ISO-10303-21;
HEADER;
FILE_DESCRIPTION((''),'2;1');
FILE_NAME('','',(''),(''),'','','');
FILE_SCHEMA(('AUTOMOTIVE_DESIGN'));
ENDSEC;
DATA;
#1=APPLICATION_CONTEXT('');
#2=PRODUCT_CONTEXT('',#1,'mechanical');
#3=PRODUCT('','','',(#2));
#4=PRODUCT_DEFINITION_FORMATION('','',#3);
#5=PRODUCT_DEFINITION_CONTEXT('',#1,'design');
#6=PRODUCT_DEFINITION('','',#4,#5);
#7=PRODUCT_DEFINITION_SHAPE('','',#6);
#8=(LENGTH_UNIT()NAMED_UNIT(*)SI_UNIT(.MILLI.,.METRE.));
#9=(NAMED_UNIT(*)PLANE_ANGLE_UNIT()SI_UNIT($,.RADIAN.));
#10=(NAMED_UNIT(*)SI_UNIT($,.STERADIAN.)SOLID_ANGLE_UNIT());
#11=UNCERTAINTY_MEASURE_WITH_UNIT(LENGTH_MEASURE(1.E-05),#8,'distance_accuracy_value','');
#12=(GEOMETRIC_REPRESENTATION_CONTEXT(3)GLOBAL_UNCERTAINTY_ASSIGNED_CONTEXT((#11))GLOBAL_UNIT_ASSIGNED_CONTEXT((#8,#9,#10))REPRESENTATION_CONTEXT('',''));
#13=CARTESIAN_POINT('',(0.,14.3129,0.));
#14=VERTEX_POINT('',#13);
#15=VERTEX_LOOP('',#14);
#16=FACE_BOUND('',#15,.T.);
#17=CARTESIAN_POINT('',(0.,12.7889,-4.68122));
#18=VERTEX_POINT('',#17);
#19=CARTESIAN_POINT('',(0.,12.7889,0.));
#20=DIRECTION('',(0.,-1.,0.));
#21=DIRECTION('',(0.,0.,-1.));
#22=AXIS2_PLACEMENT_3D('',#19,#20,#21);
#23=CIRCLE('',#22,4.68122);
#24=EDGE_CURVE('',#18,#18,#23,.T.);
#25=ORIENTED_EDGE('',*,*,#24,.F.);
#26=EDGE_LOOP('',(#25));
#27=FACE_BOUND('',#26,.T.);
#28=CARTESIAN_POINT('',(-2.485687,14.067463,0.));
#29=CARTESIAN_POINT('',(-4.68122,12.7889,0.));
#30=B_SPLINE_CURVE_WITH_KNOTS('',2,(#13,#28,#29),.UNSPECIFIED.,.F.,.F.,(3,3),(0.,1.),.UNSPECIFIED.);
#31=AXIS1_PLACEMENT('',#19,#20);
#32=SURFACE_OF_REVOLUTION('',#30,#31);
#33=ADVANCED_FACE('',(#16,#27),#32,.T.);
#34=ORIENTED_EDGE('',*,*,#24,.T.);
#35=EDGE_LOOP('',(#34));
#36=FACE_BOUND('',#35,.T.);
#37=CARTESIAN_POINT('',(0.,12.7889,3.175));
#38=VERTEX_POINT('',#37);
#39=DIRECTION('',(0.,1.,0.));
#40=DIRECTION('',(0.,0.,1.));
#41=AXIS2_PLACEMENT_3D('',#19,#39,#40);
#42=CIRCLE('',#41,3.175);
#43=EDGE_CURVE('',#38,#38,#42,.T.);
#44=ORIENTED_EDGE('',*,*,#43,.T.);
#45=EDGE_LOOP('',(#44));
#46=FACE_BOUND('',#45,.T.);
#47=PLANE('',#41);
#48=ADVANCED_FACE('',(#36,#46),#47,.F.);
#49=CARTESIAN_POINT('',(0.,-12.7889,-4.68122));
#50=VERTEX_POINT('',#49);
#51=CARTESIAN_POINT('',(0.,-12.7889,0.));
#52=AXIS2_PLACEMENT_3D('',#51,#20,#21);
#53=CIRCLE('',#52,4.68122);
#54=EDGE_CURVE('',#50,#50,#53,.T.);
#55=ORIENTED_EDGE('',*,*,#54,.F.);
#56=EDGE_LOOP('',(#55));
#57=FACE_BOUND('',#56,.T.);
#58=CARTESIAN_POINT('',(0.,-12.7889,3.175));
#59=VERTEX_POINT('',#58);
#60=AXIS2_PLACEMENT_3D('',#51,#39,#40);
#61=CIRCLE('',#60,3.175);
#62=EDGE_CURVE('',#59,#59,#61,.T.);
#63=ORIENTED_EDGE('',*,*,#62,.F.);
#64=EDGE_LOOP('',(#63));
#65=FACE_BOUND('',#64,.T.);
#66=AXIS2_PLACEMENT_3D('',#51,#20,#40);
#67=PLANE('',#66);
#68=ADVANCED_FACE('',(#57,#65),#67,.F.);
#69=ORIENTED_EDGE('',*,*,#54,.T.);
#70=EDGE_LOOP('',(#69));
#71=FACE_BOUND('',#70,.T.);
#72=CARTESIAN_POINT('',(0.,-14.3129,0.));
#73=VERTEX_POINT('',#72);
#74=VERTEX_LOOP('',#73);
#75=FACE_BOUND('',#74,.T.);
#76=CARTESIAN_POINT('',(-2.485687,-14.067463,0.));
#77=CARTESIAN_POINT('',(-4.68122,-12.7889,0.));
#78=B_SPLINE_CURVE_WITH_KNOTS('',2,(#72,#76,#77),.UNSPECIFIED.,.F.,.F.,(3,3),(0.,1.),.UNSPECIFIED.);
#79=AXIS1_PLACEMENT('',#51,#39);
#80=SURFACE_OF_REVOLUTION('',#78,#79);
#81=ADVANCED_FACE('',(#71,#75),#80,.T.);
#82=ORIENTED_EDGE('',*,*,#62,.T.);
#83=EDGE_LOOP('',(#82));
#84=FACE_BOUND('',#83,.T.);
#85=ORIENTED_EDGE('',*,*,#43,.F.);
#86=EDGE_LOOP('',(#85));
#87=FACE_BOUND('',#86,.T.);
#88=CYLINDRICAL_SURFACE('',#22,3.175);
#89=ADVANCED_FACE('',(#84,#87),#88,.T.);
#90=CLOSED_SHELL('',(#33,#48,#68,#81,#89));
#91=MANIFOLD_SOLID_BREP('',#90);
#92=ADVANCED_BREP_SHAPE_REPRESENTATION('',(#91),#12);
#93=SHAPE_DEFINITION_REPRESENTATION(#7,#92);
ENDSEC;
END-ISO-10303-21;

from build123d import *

# Parameters (mm, degrees)
SKETCH1_R           = 3.175
BOSS_EXTRUDE1_DEPTH = 12.7889


with BuildPart() as part:
    # Sketch1 → Boss-Extrude1 (new body, symmetric)
    with BuildSketch(Plane(origin=(0, 0, 0), x_dir=(1, 0, 0), z_dir=(0, 1, 0))):
        Circle(SKETCH1_R)
    extrude(amount=BOSS_EXTRUDE1_DEPTH, both=True)

    # Sketch3 → Revolve1 (revolve)
    with BuildSketch(Plane.XY):
        with BuildLine():
            Line((0, 12.7889), (-4.68122, 12.7889))
            add(Edge.make_bspline(
                [(-4.68122, 12.7889), (-2.485687352, 14.067463283), (0, 14.3129)],
                knots=[0, 0, 0, 1, 1, 1], degree=2))
            Line((0, 14.3129), (0, 12.7889))
        make_face()
    revolve1 = revolve(axis=Axis((0, 12.7889, 0), (0, 1, 0)))

    # Mirror1: Revolve1 across plane
    add(revolve1.mirror(Plane.ZX))


solid = part.part
